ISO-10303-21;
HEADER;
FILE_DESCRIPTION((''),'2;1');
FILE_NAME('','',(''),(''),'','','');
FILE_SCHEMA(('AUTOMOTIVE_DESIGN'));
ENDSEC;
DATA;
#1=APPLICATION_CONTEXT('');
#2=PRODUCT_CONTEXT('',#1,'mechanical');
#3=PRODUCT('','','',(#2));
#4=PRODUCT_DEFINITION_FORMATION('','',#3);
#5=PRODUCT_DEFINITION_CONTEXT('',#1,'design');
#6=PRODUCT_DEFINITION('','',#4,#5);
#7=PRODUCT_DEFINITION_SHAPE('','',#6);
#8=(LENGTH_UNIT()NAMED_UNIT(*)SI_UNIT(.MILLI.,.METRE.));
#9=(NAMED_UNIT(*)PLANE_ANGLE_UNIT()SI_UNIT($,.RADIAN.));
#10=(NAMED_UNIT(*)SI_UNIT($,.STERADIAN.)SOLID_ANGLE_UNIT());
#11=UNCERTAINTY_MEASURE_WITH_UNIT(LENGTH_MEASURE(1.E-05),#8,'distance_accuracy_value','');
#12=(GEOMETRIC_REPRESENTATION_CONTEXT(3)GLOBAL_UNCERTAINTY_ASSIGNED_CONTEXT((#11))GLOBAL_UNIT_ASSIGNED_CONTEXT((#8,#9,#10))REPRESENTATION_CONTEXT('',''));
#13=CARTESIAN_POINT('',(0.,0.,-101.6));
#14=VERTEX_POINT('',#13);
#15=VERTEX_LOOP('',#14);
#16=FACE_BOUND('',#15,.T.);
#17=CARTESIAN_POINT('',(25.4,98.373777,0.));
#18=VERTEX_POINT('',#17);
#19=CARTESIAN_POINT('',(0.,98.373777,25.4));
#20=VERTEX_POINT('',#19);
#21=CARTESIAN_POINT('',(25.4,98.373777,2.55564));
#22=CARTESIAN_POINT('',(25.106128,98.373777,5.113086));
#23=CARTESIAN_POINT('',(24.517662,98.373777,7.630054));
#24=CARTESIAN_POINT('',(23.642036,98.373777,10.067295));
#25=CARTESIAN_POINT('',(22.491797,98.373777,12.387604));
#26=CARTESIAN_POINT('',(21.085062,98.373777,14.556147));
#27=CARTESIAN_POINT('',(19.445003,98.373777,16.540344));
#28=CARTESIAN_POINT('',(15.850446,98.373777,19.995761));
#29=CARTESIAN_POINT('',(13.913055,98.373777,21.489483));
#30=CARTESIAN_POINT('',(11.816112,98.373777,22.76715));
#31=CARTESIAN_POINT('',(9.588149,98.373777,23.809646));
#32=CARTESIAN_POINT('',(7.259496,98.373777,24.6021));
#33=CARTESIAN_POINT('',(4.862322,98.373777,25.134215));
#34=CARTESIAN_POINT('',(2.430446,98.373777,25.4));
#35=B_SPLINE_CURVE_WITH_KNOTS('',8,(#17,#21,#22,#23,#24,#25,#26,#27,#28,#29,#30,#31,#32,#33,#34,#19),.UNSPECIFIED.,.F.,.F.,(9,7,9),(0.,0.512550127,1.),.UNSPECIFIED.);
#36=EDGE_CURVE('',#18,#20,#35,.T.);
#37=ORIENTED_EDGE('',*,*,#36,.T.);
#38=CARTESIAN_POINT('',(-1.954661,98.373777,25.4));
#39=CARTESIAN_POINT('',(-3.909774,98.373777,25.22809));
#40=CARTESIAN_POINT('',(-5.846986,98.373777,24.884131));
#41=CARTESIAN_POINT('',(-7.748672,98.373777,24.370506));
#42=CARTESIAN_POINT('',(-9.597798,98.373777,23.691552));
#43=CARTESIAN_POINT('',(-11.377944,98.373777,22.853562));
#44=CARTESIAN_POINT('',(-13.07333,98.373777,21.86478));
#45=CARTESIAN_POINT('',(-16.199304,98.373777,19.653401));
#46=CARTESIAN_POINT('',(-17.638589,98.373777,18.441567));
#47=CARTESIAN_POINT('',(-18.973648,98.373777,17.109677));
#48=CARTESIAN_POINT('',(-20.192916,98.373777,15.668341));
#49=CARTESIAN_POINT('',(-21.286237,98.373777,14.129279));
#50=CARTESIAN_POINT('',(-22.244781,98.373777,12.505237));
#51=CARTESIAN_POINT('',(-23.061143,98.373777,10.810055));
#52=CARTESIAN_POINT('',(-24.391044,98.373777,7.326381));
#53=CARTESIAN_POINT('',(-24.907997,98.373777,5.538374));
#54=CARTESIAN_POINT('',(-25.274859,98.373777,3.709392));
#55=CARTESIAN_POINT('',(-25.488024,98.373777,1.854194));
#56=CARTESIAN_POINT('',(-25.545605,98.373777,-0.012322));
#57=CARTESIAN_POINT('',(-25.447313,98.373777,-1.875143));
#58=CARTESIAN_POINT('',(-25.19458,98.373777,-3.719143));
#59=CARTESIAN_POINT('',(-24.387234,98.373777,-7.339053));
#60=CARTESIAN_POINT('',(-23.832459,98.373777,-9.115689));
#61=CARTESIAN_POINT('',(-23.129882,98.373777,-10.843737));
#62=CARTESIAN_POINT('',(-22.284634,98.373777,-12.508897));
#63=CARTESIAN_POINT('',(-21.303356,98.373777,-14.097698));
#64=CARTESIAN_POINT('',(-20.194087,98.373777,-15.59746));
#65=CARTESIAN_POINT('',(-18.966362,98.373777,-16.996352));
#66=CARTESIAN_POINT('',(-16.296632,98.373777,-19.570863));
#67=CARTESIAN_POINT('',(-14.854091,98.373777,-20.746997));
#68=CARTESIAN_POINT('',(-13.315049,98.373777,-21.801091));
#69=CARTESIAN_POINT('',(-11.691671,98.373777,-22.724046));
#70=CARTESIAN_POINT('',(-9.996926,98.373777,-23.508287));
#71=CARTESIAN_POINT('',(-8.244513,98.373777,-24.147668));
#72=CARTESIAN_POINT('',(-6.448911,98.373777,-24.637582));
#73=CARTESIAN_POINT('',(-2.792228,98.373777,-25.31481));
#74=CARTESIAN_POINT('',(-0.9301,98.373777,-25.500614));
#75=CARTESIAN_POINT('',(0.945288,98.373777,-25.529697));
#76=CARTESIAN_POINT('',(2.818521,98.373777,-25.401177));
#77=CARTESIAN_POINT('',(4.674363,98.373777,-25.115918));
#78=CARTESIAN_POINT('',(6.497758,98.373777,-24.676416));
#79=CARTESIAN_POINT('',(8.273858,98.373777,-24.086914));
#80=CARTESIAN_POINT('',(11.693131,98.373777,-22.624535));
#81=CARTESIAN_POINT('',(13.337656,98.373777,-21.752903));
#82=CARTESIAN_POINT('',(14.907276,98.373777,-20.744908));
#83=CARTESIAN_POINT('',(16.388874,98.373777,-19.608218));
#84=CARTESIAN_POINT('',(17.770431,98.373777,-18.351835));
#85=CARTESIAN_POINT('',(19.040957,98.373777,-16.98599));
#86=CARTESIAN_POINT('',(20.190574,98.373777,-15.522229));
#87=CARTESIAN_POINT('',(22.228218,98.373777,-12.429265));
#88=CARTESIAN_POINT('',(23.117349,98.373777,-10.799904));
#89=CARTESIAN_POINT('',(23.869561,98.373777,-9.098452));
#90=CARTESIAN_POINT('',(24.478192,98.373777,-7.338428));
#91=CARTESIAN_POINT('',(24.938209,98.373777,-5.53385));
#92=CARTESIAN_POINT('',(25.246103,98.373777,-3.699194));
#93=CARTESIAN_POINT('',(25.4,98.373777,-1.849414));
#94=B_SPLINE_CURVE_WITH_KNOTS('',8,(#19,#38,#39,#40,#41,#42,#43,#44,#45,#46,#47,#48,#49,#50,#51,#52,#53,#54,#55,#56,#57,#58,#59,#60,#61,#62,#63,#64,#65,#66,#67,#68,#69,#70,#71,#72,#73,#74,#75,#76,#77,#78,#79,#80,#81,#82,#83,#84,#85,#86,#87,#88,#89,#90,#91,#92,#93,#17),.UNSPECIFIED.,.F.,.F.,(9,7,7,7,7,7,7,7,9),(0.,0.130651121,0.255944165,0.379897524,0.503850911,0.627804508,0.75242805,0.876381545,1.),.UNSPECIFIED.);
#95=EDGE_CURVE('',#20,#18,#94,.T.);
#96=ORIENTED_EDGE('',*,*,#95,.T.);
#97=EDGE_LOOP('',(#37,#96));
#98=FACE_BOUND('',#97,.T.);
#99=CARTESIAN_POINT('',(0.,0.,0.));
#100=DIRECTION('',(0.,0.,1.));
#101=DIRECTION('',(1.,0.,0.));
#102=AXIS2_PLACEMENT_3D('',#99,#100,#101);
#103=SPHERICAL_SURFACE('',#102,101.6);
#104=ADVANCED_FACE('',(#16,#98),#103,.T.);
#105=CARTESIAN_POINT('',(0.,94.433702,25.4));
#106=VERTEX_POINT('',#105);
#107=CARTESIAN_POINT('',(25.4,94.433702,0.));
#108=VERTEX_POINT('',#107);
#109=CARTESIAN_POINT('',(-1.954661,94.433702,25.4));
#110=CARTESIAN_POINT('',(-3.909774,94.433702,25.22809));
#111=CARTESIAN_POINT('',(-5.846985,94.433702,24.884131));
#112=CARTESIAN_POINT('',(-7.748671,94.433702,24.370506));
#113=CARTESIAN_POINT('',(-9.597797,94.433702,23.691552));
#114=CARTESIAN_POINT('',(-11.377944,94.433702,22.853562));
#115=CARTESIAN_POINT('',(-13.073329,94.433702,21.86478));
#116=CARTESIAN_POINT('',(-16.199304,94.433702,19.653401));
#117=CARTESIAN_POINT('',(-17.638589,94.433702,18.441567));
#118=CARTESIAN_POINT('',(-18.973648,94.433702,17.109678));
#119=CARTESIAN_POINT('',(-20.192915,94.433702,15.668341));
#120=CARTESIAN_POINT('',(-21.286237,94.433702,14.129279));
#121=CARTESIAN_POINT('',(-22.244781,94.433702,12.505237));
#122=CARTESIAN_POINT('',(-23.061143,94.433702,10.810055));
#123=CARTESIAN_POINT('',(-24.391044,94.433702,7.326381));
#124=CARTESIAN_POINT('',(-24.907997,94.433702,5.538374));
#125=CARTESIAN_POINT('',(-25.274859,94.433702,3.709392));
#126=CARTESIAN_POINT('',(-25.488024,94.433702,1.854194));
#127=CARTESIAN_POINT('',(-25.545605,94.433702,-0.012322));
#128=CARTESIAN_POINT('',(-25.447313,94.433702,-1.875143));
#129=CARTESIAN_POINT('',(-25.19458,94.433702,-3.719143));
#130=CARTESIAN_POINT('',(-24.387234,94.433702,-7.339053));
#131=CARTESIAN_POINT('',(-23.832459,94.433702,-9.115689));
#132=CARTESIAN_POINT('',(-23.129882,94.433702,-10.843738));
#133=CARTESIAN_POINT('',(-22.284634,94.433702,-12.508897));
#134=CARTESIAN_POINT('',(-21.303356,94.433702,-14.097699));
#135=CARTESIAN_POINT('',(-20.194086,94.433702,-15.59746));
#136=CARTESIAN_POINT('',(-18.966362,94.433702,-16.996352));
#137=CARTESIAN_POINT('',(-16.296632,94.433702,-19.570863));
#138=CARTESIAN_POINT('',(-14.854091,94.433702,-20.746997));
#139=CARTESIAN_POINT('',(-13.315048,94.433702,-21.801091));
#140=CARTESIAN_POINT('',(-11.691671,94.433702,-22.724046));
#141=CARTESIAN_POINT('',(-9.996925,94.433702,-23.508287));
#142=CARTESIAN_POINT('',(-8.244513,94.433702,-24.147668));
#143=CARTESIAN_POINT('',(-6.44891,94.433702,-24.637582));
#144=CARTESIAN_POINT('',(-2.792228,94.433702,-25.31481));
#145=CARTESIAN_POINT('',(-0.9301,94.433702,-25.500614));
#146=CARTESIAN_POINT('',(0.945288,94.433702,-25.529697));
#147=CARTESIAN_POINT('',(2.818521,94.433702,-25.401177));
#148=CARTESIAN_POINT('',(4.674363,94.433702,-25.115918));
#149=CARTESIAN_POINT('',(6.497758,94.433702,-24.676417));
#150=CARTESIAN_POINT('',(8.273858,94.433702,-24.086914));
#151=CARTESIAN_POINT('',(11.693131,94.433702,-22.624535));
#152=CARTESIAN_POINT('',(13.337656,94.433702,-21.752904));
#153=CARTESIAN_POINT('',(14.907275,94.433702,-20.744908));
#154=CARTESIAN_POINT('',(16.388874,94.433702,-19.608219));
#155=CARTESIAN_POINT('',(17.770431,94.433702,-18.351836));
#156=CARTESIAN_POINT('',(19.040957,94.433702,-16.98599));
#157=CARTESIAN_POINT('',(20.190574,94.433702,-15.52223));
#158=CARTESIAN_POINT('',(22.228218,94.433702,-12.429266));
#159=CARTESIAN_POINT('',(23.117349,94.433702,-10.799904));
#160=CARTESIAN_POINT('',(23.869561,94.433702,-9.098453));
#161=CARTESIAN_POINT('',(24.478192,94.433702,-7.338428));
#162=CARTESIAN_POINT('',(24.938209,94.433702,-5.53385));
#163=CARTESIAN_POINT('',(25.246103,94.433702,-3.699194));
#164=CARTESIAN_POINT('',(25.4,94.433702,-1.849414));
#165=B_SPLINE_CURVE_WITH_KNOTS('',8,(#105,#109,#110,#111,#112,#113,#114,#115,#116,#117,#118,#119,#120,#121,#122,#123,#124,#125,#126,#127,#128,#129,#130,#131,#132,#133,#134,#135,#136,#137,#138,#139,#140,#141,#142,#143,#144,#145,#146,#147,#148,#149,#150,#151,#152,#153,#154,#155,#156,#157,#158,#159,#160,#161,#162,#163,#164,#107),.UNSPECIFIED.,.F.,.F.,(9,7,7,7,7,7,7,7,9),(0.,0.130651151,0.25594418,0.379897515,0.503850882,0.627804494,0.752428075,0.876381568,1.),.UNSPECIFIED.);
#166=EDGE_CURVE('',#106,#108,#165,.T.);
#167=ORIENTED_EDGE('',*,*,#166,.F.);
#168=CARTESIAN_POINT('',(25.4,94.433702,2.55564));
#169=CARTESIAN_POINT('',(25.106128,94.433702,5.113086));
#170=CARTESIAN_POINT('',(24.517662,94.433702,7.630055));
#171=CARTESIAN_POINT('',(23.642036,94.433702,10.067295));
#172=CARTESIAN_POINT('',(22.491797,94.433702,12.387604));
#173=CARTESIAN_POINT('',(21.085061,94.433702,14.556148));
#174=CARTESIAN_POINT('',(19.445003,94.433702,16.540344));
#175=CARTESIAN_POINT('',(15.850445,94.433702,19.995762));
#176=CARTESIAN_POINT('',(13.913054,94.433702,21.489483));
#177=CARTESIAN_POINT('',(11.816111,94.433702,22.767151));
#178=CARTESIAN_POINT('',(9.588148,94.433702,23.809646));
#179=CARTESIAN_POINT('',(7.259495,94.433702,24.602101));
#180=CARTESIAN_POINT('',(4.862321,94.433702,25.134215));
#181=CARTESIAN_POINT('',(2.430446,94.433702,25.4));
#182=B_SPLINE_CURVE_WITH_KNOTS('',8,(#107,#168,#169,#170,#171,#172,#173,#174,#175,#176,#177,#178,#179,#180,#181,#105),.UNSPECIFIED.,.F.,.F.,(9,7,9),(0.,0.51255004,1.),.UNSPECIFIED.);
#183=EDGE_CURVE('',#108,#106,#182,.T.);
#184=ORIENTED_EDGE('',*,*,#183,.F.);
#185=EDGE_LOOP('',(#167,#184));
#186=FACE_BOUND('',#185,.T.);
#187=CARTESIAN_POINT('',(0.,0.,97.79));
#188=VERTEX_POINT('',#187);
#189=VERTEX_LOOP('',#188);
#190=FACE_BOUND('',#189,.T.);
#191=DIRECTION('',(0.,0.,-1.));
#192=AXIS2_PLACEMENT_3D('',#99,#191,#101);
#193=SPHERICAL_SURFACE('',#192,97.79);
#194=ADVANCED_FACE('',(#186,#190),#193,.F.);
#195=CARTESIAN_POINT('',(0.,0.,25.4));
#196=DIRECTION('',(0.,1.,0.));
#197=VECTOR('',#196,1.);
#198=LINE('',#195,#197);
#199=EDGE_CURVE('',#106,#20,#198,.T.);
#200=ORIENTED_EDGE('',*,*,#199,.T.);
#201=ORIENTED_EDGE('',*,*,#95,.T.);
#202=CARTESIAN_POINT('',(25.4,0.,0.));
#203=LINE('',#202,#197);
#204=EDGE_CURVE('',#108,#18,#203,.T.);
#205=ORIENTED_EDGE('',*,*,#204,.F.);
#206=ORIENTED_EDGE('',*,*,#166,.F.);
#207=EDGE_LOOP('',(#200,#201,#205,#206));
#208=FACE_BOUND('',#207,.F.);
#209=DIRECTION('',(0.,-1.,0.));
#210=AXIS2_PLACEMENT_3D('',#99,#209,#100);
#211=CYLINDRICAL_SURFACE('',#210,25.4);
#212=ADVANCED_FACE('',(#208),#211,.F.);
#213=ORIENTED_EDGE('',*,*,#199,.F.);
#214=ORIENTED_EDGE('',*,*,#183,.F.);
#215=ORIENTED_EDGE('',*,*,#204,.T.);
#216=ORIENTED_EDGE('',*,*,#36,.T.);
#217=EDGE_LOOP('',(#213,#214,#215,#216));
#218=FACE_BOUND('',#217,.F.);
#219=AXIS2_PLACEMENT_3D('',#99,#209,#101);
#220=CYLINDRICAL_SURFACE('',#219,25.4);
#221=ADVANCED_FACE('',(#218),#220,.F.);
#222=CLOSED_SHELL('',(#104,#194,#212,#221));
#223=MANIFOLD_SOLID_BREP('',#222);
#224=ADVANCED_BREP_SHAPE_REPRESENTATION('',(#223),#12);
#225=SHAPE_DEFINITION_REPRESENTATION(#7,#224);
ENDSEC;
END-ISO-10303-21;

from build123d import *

# Parameters (mm, degrees)
F4_DEPTH = 318


with BuildPart() as f3:
    # F0 (on Front) → F3 (revolve)
    with BuildSketch(Plane.XZ):
        with BuildLine():
            Line((0, -97.79), (0, -101.6))
            ThreePointArc((0, -101.6), (101.6, 0), (0, 101.6))
            Line((0, 101.6), (0, 97.79))
            ThreePointArc((0, 97.79), (97.79, 0), (0, -97.79))
        make_face()
    revolve(axis=Axis((0, 0, -99.695), (0, 0, 1)))

    # F1 (on Front) → F4 (cut)
    with BuildSketch(Plane.XZ):
        with BuildLine():
            ThreePointArc((0, 25.4), (-17.9605122421, -17.9605122421), (25.4, 0))
            ThreePointArc((25.4, 0), (17.9605122421, 17.9605122421), (0, 25.4))
        make_face()
    extrude(amount=-F4_DEPTH, mode=Mode.SUBTRACT)


solid = f3.part
